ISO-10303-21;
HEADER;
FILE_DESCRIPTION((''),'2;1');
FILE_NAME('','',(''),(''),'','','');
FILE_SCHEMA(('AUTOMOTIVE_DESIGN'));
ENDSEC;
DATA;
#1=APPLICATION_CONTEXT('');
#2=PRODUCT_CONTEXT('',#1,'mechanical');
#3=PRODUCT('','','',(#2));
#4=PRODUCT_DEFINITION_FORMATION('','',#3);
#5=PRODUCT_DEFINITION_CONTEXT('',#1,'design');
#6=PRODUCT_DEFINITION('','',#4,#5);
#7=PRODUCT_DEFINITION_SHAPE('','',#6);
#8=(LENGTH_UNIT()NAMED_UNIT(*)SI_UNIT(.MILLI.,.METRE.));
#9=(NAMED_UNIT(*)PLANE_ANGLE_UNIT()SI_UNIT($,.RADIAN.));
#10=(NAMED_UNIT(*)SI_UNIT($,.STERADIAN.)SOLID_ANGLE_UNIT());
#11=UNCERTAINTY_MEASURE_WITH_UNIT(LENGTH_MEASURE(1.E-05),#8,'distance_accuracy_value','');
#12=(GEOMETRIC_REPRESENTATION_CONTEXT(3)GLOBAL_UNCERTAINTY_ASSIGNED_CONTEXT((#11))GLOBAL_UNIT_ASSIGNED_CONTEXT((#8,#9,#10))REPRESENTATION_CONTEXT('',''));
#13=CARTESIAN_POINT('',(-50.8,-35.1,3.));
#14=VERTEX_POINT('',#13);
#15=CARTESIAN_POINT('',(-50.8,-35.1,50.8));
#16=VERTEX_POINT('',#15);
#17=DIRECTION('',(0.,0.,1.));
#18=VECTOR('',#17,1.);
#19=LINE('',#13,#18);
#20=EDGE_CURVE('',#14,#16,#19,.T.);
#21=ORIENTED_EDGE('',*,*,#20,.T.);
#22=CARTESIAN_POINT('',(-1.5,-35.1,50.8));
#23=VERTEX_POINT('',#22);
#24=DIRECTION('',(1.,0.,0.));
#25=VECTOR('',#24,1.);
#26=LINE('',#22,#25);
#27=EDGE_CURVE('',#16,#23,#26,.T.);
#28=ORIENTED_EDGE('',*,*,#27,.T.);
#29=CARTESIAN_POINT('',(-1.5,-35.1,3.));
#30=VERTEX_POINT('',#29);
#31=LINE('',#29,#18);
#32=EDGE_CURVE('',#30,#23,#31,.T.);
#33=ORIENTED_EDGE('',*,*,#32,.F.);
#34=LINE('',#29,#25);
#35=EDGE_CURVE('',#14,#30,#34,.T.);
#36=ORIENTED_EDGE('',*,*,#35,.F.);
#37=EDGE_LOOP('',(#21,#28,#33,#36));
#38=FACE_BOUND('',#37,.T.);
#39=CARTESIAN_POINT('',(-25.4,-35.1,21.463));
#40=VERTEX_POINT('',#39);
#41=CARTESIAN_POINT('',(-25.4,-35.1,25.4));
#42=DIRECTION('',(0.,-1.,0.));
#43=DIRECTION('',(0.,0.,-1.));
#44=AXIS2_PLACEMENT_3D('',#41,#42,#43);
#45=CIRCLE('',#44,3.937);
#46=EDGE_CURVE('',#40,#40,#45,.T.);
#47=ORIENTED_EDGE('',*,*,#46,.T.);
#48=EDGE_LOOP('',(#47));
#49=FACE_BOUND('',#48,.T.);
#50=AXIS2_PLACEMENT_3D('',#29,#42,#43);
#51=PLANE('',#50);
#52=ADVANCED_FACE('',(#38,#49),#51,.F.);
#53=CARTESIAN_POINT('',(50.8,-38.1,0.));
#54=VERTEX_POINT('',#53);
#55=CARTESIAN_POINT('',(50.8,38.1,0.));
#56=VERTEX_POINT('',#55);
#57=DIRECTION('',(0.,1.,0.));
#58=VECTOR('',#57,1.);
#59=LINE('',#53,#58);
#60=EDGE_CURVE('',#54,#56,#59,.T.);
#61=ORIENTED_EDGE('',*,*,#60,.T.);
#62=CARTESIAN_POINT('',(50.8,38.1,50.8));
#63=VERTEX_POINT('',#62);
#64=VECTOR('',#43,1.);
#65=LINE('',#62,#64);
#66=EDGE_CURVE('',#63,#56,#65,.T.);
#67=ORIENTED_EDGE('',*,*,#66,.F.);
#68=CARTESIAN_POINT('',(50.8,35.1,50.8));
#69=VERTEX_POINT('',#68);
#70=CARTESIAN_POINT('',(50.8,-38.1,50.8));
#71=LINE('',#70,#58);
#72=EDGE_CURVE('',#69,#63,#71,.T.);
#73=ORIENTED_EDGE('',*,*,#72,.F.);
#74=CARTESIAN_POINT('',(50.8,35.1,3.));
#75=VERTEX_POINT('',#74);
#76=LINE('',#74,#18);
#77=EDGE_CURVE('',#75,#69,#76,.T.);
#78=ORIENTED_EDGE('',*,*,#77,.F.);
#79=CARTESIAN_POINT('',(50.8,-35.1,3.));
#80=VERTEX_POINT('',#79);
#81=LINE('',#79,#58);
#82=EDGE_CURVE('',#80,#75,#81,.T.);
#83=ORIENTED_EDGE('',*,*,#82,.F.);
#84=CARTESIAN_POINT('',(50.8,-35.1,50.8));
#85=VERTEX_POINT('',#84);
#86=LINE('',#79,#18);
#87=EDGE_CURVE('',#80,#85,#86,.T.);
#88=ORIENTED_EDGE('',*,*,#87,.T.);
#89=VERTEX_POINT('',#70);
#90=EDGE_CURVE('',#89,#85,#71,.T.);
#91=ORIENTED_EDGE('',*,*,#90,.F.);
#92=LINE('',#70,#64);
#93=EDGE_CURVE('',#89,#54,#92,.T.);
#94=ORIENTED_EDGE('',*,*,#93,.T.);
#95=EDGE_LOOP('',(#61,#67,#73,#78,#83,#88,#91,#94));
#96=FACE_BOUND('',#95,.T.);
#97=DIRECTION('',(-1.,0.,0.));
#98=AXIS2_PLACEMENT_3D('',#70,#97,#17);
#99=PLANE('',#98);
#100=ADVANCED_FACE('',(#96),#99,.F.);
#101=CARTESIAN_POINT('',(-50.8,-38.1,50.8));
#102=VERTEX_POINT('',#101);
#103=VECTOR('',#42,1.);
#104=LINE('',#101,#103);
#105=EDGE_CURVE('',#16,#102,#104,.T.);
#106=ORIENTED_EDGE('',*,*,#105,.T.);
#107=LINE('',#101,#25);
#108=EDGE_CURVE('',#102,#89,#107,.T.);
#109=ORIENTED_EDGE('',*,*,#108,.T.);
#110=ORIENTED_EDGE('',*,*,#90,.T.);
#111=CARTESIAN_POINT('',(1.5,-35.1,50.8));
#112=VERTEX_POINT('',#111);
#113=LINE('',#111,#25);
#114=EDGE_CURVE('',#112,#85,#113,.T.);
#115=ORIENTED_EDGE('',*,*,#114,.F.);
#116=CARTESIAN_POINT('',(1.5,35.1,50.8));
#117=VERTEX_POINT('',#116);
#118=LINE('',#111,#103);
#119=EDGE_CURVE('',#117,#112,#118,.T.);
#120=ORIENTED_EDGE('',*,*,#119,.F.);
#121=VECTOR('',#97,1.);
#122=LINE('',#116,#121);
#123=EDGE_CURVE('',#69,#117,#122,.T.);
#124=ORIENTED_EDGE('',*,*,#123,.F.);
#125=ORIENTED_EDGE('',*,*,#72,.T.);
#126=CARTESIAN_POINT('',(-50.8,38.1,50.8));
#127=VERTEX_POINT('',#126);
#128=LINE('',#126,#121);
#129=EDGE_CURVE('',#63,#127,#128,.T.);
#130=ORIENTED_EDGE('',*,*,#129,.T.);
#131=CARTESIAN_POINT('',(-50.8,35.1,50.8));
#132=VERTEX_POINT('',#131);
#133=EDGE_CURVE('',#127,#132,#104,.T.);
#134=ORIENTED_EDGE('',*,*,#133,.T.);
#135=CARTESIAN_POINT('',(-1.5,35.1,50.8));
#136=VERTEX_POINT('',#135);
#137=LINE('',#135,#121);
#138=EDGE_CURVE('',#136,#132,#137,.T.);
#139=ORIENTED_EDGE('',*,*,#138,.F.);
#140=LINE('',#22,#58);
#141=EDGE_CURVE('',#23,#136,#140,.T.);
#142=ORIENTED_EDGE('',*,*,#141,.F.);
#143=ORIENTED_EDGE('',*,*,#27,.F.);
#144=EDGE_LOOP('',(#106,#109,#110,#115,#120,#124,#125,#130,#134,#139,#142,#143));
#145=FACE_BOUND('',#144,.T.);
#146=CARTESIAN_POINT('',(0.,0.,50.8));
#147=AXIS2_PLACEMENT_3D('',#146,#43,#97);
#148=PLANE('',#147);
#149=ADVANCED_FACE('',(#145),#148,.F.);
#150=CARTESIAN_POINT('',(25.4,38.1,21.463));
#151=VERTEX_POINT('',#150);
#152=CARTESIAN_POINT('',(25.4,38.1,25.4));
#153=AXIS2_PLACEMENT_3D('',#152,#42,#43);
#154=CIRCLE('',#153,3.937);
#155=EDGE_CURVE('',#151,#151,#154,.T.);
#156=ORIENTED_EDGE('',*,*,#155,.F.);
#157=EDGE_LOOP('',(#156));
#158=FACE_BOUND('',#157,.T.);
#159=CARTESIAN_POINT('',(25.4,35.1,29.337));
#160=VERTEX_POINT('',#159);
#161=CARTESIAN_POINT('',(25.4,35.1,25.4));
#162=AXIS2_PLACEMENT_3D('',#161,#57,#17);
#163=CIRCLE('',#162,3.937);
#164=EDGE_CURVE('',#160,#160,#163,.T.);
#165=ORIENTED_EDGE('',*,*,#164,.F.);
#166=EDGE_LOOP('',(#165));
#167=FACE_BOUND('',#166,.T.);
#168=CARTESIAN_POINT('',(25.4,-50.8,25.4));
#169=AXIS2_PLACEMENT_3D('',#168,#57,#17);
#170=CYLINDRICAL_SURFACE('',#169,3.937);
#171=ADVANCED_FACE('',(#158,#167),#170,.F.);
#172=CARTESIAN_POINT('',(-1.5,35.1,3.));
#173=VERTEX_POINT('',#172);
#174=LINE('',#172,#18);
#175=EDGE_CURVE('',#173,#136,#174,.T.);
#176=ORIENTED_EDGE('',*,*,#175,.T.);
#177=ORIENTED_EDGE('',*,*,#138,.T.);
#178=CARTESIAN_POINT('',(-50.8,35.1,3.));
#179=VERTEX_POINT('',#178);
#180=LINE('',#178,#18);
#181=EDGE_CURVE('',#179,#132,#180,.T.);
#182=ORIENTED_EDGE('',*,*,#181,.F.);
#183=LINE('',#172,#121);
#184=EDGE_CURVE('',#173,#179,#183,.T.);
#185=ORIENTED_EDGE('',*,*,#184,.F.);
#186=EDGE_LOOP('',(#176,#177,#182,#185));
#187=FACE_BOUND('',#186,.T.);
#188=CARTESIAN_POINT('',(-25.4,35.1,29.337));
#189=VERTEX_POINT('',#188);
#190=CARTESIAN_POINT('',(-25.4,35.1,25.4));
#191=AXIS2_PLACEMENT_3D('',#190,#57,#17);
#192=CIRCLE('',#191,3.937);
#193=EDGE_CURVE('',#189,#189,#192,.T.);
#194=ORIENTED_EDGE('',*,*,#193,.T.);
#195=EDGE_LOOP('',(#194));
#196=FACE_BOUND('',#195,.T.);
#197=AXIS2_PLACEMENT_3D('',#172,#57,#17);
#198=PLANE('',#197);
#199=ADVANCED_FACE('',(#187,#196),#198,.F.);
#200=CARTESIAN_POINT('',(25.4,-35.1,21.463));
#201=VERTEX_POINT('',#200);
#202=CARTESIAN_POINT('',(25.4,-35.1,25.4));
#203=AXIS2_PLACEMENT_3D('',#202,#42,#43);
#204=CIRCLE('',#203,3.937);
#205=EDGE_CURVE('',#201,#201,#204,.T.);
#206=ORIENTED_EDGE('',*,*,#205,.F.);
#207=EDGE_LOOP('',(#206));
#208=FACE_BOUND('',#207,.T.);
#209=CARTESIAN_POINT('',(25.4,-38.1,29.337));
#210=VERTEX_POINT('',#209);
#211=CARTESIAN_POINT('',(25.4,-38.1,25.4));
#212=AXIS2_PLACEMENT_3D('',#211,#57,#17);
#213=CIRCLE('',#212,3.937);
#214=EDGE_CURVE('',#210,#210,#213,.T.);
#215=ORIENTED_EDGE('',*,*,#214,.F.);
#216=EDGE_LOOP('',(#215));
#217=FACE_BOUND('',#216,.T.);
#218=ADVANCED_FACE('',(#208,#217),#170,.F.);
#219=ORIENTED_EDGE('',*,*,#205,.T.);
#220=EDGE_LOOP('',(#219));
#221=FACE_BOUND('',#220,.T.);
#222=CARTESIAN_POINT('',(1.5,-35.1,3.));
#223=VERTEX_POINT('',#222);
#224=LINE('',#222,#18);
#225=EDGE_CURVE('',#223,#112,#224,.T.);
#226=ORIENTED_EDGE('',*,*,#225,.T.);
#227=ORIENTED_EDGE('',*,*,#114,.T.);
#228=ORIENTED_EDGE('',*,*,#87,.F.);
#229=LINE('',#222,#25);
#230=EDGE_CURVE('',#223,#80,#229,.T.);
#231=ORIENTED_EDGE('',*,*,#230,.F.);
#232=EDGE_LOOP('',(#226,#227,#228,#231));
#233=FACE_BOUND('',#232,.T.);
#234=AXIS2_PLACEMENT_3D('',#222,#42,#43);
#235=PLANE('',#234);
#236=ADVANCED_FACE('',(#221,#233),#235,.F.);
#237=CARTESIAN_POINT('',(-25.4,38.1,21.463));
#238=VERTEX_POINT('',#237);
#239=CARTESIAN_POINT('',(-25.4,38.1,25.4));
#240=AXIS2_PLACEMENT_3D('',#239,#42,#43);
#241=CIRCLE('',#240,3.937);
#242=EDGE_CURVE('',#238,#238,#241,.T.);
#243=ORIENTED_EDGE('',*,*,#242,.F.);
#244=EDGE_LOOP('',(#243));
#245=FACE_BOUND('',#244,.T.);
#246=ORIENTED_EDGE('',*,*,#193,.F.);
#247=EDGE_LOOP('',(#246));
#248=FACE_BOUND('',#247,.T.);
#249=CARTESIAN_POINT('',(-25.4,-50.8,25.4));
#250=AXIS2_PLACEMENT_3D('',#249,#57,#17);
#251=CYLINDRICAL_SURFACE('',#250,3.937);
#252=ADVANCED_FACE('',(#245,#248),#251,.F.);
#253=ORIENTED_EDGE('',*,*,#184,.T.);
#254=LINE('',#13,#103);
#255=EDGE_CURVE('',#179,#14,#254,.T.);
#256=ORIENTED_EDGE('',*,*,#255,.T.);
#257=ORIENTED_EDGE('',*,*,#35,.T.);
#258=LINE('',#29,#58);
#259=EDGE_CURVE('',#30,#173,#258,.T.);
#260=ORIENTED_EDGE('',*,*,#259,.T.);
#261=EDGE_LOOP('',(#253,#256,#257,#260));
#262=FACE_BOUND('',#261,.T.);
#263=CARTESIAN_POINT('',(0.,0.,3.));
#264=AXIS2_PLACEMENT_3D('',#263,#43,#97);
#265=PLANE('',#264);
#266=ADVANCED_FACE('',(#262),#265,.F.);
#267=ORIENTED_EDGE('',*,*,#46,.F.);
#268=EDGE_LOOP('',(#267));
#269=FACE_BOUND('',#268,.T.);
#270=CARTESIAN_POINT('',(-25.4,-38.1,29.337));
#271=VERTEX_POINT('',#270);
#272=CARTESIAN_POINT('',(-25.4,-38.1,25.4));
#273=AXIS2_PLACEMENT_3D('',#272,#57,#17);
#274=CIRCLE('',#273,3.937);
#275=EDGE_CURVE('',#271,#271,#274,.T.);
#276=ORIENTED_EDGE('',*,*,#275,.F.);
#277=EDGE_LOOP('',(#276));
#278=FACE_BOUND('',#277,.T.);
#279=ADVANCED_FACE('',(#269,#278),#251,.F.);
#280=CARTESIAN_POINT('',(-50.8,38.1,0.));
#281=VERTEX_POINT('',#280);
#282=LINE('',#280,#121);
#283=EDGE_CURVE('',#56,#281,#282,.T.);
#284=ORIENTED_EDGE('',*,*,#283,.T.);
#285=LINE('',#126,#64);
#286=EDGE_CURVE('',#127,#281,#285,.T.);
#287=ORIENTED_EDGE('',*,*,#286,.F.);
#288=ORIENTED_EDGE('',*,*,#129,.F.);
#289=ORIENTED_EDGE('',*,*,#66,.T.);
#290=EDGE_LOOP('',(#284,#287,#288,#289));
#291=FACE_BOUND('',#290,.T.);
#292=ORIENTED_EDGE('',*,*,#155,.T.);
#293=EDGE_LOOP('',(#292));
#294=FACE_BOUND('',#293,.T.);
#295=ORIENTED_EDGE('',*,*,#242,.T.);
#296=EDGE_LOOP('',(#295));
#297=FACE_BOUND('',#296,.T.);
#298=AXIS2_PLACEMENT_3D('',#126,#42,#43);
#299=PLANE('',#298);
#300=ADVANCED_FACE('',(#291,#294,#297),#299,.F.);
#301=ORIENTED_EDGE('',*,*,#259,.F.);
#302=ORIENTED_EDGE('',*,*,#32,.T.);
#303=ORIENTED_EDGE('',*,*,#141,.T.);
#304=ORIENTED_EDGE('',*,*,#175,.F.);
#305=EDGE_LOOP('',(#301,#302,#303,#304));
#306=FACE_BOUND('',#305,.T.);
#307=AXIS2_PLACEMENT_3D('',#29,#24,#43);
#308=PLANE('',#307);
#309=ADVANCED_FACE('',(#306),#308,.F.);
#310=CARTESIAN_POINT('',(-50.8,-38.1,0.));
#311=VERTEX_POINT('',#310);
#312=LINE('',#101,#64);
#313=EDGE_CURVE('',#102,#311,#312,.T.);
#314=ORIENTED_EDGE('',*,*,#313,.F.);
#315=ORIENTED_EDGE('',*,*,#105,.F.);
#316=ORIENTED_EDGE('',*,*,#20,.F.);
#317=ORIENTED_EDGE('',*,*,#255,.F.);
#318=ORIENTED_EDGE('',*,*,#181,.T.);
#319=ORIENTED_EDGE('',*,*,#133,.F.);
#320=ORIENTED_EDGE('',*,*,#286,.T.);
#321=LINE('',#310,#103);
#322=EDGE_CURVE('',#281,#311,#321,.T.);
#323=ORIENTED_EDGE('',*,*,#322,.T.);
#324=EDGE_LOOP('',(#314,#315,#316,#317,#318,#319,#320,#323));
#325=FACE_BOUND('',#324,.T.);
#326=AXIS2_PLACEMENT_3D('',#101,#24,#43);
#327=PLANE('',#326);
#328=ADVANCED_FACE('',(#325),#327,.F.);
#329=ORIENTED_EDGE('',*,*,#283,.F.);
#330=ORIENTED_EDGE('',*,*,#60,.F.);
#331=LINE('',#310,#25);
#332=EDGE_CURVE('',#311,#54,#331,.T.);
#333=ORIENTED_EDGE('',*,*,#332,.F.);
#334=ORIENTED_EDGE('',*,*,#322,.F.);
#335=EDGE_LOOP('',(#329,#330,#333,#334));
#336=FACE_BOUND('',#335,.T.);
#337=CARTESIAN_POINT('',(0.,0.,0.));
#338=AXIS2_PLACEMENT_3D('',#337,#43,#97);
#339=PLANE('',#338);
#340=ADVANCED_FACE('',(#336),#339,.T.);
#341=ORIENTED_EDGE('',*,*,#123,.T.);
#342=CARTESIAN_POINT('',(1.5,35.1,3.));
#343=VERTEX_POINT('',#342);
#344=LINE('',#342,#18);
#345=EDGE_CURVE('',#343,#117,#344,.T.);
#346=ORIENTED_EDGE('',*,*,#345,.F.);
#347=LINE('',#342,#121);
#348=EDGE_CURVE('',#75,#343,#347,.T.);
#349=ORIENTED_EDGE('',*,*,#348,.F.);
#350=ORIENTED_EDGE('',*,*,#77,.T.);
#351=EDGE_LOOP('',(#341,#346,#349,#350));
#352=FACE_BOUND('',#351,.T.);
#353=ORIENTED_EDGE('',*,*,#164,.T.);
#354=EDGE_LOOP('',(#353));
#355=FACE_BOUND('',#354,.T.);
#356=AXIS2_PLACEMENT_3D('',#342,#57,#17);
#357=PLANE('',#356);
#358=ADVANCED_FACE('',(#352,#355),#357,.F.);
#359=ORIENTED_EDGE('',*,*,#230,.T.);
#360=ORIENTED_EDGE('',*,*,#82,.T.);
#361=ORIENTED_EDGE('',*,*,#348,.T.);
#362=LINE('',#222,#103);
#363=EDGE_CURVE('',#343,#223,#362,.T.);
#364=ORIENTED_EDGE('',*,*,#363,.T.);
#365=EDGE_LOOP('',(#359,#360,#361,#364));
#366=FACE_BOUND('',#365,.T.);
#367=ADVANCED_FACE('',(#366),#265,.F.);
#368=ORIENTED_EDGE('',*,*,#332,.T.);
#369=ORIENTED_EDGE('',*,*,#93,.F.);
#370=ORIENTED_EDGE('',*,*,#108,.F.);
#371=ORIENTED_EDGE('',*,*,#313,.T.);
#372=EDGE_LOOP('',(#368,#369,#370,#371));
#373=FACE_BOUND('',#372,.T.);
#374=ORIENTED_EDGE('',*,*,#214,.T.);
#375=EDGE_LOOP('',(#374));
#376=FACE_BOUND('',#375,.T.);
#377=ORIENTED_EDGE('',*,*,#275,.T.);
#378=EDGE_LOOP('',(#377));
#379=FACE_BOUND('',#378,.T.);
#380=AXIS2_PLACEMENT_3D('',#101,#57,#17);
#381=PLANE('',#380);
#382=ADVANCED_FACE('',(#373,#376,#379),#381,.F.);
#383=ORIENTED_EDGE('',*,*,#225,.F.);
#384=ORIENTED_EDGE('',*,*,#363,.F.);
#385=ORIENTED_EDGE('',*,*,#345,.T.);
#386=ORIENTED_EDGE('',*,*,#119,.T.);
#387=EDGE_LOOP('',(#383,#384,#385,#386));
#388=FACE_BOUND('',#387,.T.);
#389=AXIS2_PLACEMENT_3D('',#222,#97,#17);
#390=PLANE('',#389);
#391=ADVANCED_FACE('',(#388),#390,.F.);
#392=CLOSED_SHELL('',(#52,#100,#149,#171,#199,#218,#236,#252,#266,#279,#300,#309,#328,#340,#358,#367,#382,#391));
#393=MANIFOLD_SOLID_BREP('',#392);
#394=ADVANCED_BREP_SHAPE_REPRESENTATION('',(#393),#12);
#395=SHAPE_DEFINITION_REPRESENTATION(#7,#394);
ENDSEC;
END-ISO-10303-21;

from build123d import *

# Parameters (mm, degrees)
SKETCH1_W           = 101.6
SKETCH1_H           = 76.2
BOSS_EXTRUDE1_DEPTH = 50.8
SKETCH3_W           = 49.3
SKETCH3_H           = 70.2
CUT_EXTRUDE1_DEPTH  = 47.8
SKETCH4_R           = 3.937
CUT_EXTRUDE3_DEPTH  = 50.8


with BuildPart() as part:
    # Sketch1 → Boss-Extrude1 (new body)
    with BuildSketch(Plane.XY):
        Rectangle(SKETCH1_W, SKETCH1_H)
    extrude(amount=BOSS_EXTRUDE1_DEPTH)

    # Sketch3 → Cut-Extrude1 (cut)
    with BuildSketch(Plane.XY.offset(50.8)):
        with Locations((-26.15, 0)):
            Rectangle(SKETCH3_W, SKETCH3_H)
        with Locations((26.15, 0)):
            Rectangle(SKETCH3_W, SKETCH3_H)
    extrude(amount=-CUT_EXTRUDE1_DEPTH, mode=Mode.SUBTRACT)

    # Sketch4 → Cut-Extrude3 (cut, symmetric)
    with BuildSketch(Plane(origin=(0, 0, 0), x_dir=(1, 0, 0), z_dir=(0, 1, 0))):
        with Locations(Location((25.4, -25.4, 0), (0, 0, 270))):
            Circle(SKETCH4_R)
        with Locations(Location((-25.4, -25.4, 0), (0, 0, 270))):
            Circle(SKETCH4_R)
    extrude(amount=CUT_EXTRUDE3_DEPTH, both=True, mode=Mode.SUBTRACT)


solid = part.part
